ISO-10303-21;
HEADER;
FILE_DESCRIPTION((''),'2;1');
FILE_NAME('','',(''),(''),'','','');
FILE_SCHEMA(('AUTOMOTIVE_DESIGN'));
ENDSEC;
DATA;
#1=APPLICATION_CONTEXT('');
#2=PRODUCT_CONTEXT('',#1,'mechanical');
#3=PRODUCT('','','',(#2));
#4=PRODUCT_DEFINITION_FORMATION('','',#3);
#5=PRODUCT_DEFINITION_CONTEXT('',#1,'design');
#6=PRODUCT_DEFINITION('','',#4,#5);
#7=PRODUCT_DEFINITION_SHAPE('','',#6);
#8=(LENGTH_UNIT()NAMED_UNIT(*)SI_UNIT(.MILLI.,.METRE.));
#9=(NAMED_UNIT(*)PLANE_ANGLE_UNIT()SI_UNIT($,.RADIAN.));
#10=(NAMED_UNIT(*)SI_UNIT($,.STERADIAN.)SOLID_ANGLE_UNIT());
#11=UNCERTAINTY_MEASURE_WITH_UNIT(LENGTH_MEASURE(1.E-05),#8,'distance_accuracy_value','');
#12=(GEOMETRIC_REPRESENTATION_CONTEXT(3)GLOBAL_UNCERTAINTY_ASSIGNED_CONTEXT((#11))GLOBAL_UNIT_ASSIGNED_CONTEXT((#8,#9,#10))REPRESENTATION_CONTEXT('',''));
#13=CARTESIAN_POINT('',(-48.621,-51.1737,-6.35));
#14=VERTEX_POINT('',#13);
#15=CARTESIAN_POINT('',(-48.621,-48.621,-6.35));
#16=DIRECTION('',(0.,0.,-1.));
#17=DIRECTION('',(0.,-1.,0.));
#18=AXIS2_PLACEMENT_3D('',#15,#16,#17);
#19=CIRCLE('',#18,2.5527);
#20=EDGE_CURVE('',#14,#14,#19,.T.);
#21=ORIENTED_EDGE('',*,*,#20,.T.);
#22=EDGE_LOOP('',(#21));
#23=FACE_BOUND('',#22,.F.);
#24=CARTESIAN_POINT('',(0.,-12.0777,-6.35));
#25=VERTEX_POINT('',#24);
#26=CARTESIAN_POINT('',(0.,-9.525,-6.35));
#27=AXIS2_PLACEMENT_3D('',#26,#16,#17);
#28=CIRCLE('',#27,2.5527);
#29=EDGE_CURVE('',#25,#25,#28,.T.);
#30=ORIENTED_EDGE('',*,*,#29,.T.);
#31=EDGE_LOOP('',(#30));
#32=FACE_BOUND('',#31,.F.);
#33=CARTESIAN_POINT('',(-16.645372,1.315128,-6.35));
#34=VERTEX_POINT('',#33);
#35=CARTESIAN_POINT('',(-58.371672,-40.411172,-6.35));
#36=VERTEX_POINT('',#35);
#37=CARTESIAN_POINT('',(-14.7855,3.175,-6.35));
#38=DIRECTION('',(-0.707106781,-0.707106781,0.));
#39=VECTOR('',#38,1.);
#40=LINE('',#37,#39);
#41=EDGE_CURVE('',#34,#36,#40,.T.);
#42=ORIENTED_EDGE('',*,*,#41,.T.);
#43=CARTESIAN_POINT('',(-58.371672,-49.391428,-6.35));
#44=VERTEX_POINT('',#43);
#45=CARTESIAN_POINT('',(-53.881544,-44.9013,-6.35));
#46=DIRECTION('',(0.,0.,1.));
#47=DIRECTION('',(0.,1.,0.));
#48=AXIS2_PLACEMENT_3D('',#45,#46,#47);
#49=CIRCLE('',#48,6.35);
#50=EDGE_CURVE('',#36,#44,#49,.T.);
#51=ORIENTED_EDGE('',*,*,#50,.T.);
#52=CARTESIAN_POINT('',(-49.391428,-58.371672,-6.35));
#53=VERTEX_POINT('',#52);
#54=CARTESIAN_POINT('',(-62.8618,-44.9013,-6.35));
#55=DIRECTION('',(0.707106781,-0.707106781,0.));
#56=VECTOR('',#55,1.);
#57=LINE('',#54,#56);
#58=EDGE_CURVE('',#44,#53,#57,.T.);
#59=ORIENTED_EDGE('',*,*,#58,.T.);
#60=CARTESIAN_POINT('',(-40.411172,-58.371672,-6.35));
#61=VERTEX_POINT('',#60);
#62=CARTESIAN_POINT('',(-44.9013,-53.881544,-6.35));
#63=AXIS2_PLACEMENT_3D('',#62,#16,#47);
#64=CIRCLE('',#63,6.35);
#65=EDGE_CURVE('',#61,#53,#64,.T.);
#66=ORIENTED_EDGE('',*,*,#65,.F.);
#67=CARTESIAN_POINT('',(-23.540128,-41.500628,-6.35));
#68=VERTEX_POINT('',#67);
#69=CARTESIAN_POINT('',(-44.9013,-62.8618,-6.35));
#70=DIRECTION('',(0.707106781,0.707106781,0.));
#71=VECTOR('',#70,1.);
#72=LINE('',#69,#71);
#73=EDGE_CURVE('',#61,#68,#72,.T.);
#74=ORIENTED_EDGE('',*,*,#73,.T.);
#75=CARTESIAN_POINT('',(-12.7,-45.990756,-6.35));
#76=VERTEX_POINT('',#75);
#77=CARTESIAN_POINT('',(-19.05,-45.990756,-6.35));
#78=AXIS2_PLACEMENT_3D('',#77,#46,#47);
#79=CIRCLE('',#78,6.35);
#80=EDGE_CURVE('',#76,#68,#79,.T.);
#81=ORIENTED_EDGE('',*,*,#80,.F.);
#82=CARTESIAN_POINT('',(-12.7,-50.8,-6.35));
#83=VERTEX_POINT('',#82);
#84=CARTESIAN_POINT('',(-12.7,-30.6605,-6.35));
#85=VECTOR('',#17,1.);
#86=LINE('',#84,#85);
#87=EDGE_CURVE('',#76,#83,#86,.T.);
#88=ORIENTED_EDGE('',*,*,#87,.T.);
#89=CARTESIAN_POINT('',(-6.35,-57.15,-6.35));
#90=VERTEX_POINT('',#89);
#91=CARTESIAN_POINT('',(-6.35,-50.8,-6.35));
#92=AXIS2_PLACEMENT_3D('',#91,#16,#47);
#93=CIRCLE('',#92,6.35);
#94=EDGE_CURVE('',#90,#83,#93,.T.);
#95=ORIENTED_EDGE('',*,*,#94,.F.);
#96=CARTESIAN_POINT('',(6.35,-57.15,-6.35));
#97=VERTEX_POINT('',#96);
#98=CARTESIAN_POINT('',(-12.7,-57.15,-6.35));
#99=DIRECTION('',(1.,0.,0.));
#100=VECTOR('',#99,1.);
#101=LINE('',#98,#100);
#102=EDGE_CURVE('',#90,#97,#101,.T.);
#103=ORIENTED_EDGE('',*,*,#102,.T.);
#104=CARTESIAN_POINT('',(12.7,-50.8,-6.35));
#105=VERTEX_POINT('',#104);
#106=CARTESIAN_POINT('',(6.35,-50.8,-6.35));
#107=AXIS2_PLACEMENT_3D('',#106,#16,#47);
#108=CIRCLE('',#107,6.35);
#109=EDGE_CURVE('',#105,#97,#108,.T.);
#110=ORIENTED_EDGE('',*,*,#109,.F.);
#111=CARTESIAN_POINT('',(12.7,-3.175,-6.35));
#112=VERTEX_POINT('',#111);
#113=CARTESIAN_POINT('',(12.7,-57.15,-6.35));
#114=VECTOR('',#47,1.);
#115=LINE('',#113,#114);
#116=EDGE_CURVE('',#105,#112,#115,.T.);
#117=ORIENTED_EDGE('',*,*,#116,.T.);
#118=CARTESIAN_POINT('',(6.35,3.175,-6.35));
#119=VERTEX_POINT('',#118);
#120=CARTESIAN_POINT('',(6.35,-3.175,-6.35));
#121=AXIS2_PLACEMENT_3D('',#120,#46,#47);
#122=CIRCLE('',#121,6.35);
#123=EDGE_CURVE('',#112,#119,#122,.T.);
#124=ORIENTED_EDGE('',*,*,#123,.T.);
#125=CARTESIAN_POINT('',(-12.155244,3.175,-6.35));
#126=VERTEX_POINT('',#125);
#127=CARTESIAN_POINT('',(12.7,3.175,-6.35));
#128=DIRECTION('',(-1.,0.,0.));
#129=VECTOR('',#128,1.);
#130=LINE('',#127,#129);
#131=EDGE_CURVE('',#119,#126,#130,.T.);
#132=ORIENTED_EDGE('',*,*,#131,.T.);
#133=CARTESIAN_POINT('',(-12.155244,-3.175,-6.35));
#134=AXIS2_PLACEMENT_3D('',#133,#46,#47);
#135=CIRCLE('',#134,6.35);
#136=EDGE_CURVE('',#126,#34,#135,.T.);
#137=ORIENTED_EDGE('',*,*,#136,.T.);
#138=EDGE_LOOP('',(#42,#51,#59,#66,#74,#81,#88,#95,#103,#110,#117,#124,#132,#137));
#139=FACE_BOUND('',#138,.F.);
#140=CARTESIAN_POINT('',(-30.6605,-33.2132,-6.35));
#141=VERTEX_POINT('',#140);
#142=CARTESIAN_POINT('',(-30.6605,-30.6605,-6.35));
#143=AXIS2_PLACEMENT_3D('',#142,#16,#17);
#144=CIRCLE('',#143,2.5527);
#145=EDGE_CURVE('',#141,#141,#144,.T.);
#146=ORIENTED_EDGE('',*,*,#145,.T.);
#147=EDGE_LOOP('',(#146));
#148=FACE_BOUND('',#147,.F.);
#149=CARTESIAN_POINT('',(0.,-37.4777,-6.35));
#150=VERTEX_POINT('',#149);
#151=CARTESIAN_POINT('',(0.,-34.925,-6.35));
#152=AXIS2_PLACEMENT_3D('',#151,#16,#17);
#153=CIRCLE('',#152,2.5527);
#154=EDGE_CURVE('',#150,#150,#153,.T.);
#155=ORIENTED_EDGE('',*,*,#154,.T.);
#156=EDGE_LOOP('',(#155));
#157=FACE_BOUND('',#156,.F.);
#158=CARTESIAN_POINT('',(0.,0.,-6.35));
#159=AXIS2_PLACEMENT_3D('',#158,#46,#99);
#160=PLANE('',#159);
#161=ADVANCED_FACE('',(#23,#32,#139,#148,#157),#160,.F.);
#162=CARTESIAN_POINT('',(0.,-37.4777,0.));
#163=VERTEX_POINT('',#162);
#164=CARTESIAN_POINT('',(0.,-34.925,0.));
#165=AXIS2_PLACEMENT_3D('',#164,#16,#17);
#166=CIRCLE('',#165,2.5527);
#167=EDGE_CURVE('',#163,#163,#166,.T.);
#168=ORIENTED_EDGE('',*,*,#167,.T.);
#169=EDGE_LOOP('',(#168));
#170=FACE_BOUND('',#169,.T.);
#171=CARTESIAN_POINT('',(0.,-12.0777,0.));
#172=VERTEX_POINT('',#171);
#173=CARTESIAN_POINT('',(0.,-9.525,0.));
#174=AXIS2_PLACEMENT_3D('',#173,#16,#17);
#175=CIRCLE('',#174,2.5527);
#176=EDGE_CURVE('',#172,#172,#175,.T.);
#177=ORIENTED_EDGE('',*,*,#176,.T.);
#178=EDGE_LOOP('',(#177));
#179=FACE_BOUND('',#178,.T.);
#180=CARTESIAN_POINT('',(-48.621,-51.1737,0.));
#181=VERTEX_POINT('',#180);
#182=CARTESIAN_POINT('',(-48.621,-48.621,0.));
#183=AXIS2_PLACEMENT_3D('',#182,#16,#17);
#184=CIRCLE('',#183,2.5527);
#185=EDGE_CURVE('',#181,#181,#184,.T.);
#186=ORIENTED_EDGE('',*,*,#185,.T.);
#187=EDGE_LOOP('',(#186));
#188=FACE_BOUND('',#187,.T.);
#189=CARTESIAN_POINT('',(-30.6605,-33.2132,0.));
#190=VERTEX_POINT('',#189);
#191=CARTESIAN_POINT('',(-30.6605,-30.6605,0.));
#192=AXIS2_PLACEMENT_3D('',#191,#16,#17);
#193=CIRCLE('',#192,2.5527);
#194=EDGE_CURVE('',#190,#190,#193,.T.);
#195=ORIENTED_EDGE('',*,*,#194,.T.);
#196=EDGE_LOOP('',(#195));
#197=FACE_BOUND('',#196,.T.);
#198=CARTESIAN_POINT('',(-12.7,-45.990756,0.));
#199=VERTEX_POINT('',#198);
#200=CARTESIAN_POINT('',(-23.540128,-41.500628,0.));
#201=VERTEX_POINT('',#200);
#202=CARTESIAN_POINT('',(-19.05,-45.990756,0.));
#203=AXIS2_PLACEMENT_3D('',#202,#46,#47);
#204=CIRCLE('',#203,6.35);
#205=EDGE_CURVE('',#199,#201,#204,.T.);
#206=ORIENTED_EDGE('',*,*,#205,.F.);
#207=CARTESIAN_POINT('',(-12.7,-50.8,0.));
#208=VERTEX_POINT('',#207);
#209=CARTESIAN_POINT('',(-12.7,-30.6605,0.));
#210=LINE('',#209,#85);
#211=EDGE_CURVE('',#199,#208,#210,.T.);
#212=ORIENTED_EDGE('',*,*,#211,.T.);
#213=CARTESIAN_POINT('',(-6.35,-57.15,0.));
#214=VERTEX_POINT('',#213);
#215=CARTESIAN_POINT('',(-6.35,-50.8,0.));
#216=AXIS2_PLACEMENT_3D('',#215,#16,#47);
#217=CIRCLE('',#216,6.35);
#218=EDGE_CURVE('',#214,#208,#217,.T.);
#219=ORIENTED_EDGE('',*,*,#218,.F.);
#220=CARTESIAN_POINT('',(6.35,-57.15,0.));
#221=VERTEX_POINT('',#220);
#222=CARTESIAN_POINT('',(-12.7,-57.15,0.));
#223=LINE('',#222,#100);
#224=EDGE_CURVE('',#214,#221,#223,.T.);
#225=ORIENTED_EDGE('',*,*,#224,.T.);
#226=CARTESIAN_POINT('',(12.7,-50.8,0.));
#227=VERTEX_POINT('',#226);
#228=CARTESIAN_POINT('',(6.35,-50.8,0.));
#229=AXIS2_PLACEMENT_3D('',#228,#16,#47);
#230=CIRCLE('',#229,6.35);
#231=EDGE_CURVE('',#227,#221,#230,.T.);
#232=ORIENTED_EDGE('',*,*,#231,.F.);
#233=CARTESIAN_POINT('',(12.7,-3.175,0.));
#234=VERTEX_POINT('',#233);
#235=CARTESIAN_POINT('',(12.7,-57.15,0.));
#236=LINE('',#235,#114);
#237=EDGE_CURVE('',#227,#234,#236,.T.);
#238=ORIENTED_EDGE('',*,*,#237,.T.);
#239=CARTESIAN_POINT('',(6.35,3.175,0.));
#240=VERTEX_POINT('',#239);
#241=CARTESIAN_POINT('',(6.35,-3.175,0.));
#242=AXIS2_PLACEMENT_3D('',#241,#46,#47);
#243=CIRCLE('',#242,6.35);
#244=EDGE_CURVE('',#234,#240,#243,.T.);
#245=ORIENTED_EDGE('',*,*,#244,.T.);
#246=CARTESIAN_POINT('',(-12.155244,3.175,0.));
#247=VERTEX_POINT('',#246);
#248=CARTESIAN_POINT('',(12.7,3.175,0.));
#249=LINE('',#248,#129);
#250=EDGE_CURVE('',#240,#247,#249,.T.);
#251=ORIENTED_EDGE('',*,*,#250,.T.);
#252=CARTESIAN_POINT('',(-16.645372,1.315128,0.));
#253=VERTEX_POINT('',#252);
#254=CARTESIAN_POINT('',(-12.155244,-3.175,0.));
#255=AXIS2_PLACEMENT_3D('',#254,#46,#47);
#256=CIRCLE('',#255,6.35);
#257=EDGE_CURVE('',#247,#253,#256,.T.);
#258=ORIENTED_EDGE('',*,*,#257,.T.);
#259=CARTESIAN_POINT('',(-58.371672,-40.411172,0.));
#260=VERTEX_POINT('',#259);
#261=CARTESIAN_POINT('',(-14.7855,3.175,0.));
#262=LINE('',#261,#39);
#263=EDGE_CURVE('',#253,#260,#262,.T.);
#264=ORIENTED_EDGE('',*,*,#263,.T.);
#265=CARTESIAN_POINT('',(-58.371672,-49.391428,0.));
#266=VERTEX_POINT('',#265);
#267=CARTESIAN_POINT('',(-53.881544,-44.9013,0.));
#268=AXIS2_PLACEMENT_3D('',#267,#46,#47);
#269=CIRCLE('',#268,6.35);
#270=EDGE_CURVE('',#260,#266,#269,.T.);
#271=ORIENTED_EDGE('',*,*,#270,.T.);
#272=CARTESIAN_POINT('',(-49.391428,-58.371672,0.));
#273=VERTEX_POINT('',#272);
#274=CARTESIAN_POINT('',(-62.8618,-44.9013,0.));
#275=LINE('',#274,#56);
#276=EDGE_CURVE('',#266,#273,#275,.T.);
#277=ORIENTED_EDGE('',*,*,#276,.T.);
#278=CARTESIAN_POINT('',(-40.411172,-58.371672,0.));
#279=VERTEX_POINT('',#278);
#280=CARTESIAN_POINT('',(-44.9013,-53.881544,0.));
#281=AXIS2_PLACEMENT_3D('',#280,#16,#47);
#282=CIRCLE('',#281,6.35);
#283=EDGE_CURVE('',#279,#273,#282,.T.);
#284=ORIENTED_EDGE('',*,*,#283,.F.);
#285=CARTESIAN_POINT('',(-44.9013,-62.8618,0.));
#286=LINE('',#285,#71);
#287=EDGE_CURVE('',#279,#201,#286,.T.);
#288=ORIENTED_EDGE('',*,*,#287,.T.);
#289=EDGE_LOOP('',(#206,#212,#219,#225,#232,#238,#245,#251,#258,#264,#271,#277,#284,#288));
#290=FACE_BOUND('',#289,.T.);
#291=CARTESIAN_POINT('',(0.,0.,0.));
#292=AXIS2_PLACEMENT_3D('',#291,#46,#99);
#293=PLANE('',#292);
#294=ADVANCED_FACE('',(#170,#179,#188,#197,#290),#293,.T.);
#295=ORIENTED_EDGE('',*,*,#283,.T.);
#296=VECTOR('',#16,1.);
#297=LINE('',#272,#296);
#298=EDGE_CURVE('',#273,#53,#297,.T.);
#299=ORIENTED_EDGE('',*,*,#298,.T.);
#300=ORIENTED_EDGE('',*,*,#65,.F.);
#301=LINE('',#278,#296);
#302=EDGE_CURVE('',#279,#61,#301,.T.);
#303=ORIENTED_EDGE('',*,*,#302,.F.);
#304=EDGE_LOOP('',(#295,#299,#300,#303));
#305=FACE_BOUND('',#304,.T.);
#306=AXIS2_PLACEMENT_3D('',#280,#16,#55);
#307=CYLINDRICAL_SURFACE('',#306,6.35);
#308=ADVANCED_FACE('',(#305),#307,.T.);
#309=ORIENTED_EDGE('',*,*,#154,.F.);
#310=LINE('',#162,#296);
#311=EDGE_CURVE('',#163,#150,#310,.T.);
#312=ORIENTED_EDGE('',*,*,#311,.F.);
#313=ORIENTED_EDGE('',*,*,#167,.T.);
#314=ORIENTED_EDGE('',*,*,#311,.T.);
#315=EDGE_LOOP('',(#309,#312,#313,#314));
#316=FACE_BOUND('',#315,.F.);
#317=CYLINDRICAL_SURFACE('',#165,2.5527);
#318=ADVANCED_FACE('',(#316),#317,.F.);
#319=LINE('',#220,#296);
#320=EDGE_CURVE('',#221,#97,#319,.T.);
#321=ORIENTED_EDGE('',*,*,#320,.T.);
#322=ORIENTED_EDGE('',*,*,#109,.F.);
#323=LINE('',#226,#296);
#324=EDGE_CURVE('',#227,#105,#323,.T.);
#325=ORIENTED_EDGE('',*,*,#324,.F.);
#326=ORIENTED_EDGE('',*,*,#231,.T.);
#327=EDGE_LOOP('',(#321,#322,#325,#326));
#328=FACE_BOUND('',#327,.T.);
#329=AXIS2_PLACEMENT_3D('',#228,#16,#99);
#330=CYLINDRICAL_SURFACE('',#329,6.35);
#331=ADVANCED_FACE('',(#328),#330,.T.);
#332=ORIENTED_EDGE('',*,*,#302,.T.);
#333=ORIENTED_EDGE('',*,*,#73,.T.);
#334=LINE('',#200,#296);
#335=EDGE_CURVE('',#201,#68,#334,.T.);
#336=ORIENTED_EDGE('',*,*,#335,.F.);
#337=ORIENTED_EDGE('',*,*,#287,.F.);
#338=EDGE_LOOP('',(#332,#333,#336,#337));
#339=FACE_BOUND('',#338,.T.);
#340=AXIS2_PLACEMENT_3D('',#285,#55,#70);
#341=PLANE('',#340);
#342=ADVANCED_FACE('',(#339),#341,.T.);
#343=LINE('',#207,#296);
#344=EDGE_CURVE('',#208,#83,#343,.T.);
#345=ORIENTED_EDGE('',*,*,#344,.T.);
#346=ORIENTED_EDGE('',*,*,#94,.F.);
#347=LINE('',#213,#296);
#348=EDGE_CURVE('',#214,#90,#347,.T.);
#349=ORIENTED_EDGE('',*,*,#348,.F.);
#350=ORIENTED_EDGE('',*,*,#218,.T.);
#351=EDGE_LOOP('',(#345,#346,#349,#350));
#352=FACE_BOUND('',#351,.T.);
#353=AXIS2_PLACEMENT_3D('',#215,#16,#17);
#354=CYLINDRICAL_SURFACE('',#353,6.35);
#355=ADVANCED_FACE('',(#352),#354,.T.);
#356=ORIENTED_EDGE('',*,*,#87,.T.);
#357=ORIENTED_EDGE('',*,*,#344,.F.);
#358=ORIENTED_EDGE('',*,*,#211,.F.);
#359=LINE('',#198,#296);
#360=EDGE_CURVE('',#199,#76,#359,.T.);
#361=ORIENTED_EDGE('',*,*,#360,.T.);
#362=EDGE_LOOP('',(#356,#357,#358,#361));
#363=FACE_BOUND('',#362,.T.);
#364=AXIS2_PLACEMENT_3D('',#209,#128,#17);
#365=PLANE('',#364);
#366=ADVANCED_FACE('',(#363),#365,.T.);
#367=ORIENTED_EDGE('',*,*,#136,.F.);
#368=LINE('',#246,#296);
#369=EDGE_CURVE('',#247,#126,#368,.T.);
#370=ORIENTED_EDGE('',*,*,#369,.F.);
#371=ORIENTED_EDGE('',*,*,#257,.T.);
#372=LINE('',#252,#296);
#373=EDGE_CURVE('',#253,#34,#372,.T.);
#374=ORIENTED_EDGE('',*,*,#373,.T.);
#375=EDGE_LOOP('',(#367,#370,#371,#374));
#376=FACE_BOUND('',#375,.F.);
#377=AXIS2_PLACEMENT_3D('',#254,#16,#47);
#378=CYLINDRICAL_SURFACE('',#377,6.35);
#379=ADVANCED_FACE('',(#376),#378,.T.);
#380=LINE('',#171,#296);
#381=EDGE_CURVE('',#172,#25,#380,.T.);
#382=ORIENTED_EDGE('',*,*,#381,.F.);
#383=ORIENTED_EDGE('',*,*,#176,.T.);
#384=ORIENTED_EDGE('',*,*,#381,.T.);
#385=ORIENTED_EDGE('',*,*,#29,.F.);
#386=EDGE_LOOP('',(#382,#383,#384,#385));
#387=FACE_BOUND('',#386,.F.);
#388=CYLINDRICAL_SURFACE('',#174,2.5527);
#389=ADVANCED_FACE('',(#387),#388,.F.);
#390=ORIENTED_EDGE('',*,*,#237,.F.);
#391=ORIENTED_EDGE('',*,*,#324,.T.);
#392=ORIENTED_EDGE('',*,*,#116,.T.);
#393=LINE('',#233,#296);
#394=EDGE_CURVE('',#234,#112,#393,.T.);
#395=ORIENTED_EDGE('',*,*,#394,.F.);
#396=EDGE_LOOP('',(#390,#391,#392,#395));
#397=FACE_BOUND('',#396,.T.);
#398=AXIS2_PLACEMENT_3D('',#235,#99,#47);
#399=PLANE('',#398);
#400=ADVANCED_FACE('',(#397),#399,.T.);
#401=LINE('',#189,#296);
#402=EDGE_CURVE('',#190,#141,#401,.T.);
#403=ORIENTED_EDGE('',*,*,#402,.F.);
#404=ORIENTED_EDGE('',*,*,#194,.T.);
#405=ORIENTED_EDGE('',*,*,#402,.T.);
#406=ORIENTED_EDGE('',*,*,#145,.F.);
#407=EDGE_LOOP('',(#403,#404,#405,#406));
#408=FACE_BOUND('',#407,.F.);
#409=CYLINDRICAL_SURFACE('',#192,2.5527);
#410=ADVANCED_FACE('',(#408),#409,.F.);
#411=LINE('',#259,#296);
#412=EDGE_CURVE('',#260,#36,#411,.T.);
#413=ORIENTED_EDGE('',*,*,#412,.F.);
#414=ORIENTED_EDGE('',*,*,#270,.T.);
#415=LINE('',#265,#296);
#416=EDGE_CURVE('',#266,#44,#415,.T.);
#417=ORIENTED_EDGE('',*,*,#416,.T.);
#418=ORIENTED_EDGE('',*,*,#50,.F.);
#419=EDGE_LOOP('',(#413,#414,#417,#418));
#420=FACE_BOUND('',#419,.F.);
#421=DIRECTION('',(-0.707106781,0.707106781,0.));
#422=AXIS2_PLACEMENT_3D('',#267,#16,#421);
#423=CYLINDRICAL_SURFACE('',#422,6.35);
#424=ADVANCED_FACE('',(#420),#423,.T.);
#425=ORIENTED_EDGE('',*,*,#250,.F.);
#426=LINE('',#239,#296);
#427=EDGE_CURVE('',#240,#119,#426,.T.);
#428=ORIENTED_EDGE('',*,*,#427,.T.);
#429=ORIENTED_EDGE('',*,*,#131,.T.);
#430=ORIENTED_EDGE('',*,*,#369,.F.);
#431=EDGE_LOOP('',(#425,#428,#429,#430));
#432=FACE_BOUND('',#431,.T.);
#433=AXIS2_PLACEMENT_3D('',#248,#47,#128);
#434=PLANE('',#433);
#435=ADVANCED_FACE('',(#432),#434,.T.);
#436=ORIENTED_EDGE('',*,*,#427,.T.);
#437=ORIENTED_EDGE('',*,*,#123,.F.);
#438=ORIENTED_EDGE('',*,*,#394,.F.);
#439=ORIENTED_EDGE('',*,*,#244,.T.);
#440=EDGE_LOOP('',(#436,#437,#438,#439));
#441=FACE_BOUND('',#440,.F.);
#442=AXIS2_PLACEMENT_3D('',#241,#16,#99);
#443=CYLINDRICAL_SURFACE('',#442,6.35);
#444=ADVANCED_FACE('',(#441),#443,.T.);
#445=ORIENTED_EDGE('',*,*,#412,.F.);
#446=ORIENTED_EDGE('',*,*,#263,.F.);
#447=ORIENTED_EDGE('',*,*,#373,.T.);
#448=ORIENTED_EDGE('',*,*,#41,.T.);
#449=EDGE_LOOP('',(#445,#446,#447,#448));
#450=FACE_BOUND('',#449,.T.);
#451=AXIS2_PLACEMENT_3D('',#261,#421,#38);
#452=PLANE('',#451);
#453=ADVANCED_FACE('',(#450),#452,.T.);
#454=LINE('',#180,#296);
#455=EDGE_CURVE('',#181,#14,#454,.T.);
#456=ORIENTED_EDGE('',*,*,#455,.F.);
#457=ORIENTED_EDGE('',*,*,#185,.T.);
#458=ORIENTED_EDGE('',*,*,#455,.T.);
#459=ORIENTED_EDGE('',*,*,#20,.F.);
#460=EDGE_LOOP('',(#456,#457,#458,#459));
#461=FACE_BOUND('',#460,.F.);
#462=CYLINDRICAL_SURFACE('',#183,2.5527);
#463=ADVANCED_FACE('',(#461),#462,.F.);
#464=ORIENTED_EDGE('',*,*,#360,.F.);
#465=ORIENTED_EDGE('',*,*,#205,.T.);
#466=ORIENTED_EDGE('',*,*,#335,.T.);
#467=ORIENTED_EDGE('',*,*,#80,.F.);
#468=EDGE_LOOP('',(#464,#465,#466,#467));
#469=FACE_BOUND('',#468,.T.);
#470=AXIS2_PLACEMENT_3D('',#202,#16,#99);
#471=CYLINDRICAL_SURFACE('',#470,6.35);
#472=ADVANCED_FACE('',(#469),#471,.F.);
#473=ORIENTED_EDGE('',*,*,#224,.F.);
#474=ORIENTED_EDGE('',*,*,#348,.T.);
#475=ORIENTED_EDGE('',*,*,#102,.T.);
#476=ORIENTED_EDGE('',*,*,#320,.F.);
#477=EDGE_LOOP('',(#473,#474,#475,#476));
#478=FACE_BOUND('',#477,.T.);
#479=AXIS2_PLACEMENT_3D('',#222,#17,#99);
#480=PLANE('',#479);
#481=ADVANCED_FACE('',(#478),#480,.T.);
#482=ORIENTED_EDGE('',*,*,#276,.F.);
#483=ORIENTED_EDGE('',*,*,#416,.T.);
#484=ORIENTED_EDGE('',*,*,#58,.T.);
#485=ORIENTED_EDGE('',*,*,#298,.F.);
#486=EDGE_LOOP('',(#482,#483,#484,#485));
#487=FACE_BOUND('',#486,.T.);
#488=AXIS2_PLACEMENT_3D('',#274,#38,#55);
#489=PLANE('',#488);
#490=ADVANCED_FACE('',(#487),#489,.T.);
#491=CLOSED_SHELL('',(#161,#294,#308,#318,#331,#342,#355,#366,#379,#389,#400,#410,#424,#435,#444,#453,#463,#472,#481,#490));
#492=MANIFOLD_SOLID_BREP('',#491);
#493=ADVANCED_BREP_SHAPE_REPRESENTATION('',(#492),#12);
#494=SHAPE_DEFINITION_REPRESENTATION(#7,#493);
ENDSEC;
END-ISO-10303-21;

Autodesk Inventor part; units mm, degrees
ref_plane "YZ Plane" through (0, 0, 0) normal (1, 0, 0) x (0, 1, 0)
ref_plane "XZ Plane" through (0, 0, 0) normal (0, 1, 0) x (-1, 0, 0)
ref_plane "XY Plane" through (0, 0, 0) normal (0, 0, 1) x (1, 0, 0)
sketch "Sketch1" plane through (0, 0, 0) normal (0, 0, 1) x (1, 0, 0)
  line L0 (0, 0) -> (0, -57.15) construction
  line L1 (0, 0) -> (-53.8815, -53.8815) construction
  line L2 (12.7, 3.175) -> (-14.7855, 3.175)
  line L3 (-14.7855, 3.175) -> (-62.8618, -44.9013)
  line L4 (-62.8618, -44.9013) -> (-44.9013, -62.8618)
  line L5 (-44.9013, -62.8618) -> (-12.7, -30.6605)
  line L6 (-12.7, -30.6605) -> (-12.7, -57.15)
  line L7 (-12.7, -57.15) -> (12.7, -57.15)
  line L8 (12.7, -57.15) -> (12.7, 3.175)
  dimension "d0" = 45
  dimension "d1" = 57.15
  dimension "d2" = 76.2
  dimension "d3" = 3.175
  dimension "d4" = 25.4
  dimension "d5" = 25.4
extrude "Extrusion1" add sketch "Sketch1" against normal blind 6.35
sketch "Sketch2" plane through (0, 0, 0) normal (0, 0, 1) x (1, 0, 0)
  line L0 (-44.9013, -62.8618) -> (-62.8618, -44.9013) construction
  line L1 (-62.8618, -44.9013) -> (-14.7855, 3.175) construction
  line L2 (-14.7855, 3.175) -> (12.7, 3.175) construction
  line L3 (12.7, 3.175) -> (12.7, -57.15) construction
  line L4 (12.7, -57.15) -> (-12.7, -57.15) construction
  line L5 (-12.7, -57.15) -> (-12.7, -30.6605) construction
  line L6 (-12.7, -30.6605) -> (-44.9013, -62.8618) construction
  line L7 (-44.9013, -62.8618) -> (-62.8618, -44.9013) construction
  line L8 (-62.8618, -44.9013) -> (-14.7855, 3.175) construction
  line L9 (-14.7855, 3.175) -> (12.7, 3.175) construction
  line L10 (12.7, 3.175) -> (12.7, -57.15) construction
  line L11 (12.7, -57.15) -> (-12.7, -57.15) construction
  line L12 (-12.7, -57.15) -> (-12.7, -30.6605) construction
  line L13 (-12.7, -30.6605) -> (-44.9013, -62.8618) construction
  line L14 (0, 0) -> (0, -57.15) construction
  line L15 (12.7, -57.15) -> (-12.7, -57.15) construction
  line L16 (0, 0) -> (-53.8815, -53.8815) construction
  line L17 (-44.9013, -62.8618) -> (-62.8618, -44.9013) construction
  line L18 (-12.7, -30.6605) -> (-12.7, 3.175) construction
  line L19 (-14.7855, 3.175) -> (12.7, 3.175) construction
  point P0 (-30.6605, -30.6605)
  point P1 (-48.621, -48.621)
  point P2 (0, -9.525)
  point P3 (0, -34.925)
  point P4 (-12.7, -12.7)
  point P5 (-12.7, -13.7428)
  dimension "d8" = 25.4
  dimension "d9" = 25.4
  dimension "d19" = 12.7
  dimension "d21" = 25.4
hole "Hole1" at (-30.6605, -30.6605, 0) at (-48.621, -48.621, 0) at (0, -9.525, 0) at (0, -34.925, 0) direction (0, 0, -1) diameter 5.1054 end through all clearance for "Flat Head Machine Screw (82)" size "#10" standard "Ansi Unified Screw Threads"
fillet "Fillet1" radius 6.35 7 edges at (12.7, 3.175, -3.175) (-14.7855, 3.175, -3.175) (-62.8618, -44.9013, -3.175) (-44.9013, -62.8618, -3.175) (-12.7, -30.6605, -3.175) (-12.7, -57.15, -3.175) (12.7, -57.15, -3.175)
equation "\"d5\" = d4"
properties part number "CL4-008" material "Aluminum 6061"
